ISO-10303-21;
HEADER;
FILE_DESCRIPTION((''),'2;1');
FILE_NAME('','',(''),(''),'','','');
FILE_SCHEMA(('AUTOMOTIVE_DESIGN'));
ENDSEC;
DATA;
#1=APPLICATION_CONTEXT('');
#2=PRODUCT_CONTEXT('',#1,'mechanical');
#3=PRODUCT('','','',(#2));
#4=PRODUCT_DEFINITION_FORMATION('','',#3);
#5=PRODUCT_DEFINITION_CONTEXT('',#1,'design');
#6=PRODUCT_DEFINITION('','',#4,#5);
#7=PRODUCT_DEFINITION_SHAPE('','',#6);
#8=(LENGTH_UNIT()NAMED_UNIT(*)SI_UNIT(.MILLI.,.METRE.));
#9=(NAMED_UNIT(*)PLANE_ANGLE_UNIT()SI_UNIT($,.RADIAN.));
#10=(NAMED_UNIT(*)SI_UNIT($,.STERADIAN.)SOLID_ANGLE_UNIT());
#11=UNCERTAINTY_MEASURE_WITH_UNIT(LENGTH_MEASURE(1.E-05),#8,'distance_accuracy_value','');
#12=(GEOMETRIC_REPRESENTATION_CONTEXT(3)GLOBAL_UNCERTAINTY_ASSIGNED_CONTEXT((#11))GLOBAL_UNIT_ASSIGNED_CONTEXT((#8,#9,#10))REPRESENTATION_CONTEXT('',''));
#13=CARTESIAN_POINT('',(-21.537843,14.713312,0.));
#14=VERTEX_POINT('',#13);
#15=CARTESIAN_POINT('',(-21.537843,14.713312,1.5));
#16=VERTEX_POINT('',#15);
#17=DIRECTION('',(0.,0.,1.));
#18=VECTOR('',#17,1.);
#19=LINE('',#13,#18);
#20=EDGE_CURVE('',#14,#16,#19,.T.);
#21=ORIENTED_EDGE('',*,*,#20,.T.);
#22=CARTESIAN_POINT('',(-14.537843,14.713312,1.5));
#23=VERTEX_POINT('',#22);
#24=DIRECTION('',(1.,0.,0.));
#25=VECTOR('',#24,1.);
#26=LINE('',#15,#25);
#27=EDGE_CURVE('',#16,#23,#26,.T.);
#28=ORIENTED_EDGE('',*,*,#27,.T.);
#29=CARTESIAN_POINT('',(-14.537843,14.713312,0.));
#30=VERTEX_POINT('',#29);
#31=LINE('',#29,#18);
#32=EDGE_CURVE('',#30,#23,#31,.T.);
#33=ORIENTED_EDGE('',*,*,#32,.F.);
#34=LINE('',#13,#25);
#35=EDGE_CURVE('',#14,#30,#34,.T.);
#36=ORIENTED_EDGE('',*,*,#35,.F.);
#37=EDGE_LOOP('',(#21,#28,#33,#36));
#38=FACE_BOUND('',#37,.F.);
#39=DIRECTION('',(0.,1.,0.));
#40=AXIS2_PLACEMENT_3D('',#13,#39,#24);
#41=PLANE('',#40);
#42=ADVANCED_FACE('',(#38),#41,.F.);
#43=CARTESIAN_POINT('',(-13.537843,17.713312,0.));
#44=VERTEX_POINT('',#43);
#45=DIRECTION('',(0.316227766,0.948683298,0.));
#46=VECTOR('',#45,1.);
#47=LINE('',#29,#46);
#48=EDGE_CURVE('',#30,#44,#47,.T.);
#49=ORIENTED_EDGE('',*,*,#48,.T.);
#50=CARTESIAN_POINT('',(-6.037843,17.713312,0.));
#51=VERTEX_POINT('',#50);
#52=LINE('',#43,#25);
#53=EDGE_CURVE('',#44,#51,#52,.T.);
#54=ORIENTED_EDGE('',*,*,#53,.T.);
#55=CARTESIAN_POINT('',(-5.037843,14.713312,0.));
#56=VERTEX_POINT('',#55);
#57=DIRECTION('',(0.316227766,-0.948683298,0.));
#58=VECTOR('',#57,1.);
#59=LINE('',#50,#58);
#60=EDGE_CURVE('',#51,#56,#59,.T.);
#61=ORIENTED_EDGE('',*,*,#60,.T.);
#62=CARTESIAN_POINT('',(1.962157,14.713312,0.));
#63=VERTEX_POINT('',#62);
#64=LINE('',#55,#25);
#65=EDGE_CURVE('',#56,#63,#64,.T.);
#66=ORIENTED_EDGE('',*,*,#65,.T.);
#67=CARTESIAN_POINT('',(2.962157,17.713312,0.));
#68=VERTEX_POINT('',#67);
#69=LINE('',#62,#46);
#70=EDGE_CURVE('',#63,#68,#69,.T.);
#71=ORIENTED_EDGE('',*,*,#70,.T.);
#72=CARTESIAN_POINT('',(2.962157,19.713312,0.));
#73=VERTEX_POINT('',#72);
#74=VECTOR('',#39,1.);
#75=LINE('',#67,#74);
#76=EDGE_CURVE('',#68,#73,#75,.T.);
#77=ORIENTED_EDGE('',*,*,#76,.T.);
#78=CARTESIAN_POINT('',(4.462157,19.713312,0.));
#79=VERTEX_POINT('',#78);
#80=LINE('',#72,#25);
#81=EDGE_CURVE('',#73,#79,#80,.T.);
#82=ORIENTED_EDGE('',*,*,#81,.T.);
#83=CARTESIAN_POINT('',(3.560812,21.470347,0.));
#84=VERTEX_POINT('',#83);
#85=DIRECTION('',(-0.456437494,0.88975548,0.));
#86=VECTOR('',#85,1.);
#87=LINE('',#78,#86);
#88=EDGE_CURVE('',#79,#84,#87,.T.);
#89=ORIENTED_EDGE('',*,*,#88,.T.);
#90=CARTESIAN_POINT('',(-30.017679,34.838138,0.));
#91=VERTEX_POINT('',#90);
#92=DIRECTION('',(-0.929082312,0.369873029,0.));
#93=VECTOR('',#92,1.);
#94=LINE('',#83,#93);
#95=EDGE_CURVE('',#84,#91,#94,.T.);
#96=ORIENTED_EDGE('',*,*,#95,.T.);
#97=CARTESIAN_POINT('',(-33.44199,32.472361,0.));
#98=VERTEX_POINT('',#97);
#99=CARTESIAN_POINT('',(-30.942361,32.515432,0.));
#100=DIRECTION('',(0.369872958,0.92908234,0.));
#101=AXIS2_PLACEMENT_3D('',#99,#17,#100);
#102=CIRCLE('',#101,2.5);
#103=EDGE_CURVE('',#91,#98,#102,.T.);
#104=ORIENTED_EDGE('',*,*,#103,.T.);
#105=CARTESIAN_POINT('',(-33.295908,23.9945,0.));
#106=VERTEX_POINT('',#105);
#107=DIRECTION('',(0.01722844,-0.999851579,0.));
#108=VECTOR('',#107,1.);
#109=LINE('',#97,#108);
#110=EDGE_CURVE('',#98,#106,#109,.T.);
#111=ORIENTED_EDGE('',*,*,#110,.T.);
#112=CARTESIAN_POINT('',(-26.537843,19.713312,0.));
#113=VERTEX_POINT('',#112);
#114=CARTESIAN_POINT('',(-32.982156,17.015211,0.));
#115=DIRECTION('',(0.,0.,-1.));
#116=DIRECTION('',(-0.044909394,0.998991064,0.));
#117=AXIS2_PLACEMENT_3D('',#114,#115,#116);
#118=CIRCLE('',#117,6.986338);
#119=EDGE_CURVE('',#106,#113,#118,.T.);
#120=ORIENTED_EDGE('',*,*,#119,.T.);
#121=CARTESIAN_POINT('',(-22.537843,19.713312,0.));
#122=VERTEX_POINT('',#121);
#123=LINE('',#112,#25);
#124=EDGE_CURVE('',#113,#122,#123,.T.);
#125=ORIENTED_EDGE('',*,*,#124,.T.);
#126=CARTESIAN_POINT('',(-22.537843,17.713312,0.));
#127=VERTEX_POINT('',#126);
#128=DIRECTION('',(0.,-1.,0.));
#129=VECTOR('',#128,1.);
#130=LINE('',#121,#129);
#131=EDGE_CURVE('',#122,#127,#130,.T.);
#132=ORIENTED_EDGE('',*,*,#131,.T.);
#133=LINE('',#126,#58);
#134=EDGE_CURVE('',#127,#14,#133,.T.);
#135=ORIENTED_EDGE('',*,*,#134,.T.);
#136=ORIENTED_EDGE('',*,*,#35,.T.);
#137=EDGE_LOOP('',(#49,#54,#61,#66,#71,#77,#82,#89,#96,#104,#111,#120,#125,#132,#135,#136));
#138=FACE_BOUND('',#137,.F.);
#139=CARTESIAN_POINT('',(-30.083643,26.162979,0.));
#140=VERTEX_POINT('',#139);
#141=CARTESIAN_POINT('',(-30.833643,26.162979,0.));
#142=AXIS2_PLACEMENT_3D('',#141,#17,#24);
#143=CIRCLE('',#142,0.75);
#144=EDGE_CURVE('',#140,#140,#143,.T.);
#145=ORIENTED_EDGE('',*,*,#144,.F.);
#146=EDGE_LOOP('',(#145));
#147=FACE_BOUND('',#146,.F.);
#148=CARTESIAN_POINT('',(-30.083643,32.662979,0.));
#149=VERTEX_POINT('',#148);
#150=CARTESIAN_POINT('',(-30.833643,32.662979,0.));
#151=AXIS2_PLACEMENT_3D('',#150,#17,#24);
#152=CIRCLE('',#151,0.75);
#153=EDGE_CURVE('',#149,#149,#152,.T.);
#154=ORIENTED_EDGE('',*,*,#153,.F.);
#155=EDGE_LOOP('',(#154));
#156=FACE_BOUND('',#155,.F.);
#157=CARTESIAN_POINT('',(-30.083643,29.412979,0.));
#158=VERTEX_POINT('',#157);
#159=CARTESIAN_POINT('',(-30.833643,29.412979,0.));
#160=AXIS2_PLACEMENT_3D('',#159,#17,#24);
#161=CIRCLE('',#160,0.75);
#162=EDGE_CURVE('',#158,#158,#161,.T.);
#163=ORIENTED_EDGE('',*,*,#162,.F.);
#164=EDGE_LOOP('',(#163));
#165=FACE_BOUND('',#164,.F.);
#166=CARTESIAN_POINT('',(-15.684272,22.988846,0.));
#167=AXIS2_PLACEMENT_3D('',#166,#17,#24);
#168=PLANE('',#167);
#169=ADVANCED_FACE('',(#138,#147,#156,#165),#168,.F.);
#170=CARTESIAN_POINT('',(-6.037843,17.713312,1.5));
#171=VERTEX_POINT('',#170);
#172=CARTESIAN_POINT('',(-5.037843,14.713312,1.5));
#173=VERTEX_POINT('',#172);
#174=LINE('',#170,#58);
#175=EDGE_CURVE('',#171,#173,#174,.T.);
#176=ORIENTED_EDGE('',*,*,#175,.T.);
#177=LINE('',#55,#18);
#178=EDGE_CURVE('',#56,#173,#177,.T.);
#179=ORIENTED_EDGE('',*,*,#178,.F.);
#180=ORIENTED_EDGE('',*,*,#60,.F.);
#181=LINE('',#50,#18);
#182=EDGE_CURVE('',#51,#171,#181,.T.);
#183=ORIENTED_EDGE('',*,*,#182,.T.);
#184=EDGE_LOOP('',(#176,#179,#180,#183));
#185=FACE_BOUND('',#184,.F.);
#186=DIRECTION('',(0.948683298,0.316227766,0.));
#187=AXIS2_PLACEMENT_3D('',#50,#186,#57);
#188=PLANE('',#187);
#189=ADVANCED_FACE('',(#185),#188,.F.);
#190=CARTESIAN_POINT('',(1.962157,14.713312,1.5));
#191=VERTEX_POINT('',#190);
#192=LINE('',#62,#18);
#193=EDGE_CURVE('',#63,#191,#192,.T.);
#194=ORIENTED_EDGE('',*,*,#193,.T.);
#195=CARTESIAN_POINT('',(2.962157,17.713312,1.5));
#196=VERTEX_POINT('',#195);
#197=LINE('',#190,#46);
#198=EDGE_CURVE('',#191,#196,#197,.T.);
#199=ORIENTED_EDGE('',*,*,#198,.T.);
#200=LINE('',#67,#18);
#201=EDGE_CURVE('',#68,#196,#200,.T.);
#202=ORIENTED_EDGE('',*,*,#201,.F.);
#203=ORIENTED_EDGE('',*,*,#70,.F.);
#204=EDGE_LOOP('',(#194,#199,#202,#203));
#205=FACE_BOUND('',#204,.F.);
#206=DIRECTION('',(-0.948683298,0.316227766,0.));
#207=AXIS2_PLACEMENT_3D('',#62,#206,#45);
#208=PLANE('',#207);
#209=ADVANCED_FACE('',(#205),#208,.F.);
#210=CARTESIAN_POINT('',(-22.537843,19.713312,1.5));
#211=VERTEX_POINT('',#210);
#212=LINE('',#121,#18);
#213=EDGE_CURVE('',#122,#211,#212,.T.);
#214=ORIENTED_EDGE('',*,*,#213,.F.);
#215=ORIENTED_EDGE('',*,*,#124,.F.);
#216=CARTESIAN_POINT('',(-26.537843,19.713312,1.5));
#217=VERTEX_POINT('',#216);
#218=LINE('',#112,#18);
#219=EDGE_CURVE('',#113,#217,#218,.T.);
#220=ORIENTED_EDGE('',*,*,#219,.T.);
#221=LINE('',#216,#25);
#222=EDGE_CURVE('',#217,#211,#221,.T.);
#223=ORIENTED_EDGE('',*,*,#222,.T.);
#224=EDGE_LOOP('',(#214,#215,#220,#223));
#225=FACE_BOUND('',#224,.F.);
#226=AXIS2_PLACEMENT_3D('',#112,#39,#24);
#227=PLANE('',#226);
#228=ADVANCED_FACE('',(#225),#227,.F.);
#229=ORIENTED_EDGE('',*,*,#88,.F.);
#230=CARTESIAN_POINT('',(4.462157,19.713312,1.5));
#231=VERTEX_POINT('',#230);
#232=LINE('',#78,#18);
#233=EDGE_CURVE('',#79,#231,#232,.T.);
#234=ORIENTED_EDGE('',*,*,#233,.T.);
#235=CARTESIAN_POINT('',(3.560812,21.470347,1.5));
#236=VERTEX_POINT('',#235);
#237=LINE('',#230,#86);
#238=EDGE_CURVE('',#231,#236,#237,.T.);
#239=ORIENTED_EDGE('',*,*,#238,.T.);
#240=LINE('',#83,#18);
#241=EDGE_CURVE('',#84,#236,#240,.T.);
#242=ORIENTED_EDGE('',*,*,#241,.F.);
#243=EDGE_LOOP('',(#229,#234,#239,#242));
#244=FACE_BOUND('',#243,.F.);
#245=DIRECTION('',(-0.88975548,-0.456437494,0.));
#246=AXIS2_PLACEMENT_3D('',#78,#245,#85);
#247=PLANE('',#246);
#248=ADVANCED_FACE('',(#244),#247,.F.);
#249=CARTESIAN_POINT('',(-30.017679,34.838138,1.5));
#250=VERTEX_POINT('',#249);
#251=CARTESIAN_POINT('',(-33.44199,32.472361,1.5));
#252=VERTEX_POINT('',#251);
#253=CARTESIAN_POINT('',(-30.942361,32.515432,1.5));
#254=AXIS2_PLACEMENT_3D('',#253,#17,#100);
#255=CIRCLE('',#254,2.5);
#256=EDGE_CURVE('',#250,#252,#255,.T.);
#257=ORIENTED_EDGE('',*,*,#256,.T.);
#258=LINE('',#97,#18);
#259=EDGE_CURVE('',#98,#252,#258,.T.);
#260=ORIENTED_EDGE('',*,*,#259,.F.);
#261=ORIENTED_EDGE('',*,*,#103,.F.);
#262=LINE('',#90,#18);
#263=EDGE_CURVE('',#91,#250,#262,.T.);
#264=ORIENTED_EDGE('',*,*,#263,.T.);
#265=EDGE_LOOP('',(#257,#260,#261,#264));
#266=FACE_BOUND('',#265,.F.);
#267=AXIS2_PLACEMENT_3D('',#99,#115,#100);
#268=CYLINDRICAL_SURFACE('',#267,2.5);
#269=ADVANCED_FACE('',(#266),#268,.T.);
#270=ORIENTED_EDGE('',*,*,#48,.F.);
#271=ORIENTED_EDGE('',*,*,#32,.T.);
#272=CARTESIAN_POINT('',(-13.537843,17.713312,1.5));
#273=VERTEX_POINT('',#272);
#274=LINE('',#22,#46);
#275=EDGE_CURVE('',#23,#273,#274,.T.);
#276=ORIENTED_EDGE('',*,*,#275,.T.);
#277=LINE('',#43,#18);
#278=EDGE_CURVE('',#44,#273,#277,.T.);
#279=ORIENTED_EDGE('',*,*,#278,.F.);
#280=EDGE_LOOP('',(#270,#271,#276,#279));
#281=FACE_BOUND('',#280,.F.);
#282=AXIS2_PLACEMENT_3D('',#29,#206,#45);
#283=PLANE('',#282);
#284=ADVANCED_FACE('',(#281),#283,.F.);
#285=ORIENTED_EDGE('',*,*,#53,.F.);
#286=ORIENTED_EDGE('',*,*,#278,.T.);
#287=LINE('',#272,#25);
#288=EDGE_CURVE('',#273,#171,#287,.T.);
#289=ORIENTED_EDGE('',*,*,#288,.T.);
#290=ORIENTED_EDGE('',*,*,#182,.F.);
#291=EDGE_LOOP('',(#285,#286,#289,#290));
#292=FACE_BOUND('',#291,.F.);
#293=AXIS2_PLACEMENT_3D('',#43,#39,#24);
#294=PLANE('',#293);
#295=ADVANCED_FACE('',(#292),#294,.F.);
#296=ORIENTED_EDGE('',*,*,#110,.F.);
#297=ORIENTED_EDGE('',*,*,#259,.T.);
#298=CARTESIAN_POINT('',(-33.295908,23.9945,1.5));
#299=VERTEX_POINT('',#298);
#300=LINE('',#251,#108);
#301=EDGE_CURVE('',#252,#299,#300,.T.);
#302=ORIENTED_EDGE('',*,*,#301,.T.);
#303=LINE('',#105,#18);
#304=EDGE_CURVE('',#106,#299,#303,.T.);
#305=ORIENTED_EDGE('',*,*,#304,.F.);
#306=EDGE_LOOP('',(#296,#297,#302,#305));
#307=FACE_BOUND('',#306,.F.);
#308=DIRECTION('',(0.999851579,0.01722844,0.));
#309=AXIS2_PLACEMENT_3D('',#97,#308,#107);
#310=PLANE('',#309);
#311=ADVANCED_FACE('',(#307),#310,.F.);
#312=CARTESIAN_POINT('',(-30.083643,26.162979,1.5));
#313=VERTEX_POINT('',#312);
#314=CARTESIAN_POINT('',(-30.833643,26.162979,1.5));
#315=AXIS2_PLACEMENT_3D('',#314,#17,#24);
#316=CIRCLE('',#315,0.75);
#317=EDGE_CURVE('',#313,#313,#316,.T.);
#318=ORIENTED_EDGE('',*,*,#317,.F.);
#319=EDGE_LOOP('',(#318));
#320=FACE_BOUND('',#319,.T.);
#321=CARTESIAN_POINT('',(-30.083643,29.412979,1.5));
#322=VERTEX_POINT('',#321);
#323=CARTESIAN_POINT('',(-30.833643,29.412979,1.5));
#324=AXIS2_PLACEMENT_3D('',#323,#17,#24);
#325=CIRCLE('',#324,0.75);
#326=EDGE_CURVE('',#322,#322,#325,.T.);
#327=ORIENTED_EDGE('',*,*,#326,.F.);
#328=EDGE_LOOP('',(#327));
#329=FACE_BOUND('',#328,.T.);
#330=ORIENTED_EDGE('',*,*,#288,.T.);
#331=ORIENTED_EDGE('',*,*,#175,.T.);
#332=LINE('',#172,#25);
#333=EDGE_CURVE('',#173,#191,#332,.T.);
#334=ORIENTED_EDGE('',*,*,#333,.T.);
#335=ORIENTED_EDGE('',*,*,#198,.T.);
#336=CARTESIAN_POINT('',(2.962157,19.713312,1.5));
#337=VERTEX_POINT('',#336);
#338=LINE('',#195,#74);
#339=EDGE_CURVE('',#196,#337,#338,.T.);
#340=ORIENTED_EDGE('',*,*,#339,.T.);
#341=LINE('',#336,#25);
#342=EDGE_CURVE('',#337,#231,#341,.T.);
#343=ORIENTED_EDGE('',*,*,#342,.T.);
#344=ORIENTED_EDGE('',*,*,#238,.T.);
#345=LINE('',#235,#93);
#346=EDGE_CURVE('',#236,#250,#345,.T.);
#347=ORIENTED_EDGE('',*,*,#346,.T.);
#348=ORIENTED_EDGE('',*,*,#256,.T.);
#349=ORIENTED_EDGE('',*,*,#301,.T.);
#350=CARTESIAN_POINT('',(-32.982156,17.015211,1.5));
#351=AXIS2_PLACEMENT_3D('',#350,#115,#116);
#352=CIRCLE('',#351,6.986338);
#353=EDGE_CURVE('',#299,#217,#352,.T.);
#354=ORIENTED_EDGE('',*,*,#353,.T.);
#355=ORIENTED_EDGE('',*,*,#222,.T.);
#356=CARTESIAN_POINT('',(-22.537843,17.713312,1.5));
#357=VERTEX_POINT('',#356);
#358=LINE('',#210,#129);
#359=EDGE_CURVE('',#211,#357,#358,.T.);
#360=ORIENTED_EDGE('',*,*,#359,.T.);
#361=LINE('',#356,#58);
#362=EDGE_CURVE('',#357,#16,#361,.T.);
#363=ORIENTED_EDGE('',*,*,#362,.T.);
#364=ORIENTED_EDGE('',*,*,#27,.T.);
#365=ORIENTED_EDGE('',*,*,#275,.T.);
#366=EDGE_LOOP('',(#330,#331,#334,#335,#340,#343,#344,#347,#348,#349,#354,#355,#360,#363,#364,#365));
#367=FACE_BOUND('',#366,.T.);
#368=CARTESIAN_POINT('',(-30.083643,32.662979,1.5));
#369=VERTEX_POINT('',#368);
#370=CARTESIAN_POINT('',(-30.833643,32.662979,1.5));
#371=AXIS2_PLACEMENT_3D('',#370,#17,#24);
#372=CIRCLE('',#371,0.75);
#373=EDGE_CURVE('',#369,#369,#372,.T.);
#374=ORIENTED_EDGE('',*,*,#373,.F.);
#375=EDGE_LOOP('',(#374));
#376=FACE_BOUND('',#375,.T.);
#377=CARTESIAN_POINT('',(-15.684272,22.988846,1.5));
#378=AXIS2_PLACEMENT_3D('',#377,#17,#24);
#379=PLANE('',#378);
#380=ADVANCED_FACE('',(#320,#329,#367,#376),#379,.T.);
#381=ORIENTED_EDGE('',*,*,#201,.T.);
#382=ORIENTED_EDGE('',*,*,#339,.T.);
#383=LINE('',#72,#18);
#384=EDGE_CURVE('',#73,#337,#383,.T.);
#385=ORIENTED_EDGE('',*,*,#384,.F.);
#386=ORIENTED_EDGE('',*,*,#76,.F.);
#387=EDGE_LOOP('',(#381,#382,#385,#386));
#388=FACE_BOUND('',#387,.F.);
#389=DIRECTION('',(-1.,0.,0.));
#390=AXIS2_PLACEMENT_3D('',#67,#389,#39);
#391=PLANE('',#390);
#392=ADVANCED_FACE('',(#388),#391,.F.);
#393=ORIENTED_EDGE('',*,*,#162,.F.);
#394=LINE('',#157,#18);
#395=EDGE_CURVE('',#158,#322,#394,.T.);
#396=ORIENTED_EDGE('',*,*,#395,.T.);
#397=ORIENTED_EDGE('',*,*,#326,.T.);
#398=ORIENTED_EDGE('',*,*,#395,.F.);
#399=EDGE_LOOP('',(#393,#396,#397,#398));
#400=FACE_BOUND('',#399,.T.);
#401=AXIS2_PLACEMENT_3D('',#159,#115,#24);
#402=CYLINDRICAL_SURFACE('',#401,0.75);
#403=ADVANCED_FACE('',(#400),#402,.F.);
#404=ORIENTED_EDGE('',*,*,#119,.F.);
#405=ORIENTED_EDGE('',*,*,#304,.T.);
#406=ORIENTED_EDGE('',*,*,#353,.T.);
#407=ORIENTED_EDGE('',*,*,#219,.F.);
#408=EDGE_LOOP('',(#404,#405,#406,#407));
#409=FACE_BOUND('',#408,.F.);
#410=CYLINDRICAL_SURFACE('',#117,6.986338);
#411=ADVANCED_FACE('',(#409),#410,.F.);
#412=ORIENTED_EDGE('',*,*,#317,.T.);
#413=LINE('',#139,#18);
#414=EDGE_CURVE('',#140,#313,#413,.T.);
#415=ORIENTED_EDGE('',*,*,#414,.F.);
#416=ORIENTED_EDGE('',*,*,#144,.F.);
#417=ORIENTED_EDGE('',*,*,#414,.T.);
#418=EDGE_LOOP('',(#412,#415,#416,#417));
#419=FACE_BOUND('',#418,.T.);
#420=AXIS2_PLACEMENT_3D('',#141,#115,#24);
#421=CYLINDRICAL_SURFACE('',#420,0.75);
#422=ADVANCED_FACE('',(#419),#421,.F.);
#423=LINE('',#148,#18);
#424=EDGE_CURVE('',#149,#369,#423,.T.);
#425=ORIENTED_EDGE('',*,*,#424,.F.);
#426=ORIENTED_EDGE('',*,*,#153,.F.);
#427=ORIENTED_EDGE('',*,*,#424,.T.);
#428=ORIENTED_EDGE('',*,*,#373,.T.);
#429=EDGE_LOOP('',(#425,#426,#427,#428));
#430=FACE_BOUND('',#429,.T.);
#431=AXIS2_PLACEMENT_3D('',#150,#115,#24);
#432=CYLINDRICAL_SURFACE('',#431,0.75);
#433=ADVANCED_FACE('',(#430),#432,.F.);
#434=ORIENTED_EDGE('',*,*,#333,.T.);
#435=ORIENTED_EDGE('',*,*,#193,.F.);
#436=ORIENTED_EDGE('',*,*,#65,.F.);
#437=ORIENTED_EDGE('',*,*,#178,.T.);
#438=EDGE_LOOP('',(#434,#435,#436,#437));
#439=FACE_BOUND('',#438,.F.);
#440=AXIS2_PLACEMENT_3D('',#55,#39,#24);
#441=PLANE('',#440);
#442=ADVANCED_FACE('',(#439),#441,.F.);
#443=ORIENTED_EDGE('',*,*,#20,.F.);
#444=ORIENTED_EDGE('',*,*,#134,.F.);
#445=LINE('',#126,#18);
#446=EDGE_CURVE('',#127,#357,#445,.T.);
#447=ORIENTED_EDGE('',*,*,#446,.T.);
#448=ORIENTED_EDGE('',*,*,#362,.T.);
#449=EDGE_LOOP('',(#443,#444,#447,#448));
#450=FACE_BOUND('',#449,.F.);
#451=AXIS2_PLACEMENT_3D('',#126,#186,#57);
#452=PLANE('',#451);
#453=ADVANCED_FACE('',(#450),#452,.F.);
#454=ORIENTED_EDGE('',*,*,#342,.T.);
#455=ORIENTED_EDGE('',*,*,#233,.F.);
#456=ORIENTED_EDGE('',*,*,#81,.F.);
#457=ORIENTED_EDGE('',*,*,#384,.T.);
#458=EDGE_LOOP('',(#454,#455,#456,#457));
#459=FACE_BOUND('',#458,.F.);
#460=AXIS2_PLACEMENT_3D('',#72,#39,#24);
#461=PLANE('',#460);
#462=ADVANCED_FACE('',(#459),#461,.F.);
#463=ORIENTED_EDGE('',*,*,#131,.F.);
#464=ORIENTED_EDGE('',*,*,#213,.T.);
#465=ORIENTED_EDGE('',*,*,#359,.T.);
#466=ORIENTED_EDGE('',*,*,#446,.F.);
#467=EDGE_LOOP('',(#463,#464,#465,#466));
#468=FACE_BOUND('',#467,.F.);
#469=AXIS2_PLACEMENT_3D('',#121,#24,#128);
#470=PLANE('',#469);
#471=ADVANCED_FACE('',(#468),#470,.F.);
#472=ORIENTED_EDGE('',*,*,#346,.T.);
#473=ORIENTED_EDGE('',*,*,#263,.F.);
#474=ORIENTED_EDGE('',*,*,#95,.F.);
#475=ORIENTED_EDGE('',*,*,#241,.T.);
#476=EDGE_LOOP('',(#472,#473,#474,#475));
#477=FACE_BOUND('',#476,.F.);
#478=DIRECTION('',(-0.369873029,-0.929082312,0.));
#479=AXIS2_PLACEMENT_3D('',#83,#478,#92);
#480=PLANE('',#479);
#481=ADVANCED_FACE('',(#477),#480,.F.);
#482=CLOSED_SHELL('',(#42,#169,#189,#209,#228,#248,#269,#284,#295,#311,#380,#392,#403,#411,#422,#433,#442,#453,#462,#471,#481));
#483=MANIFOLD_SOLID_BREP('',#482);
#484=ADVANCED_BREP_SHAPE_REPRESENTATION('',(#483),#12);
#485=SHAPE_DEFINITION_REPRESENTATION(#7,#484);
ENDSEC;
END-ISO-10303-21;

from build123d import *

# Parameters (mm, degrees)
F0_R     = 0.75
F1_DEPTH = 1.5


with BuildPart() as f1:
    # F0 (on Top) → F1 (new body)
    with BuildSketch(Plane.XY):
        with BuildLine():
            Line((4.462157, 19.713312), (3.560812, 21.470347))
            Line((3.560812, 21.470347), (-30.017679, 34.838138))
            ThreePointArc((-30.017679, 34.838138), (-32.363396, 34.572289), (-33.44199, 32.472361))
            Line((-33.44199, 32.472361), (-33.295908, 23.9945))
            ThreePointArc((-33.295908, 23.9945), (-29.243428, 22.916976), (-26.537843, 19.713312))
            Line((-26.537843, 19.713312), (-22.537843, 19.713312))
            Line((-22.537843, 19.713312), (-22.537843, 17.713312))
            Line((-22.537843, 17.713312), (-21.537843, 14.713312))
            Line((-21.537843, 14.713312), (-14.537843, 14.713312))
            Line((-14.537843, 14.713312), (-13.537843, 17.713312))
            Line((-13.537843, 17.713312), (-6.037843, 17.713312))
            Line((-6.037843, 17.713312), (-5.037843, 14.713312))
            Line((-5.037843, 14.713312), (1.962157, 14.713312))
            Line((1.962157, 14.713312), (2.962157, 17.713312))
            Line((2.962157, 17.713312), (2.962157, 19.713312))
            Line((2.962157, 19.713312), (4.462157, 19.713312))
        make_face()
        with Locations((-30.833643, 26.162979)):
            Circle(F0_R, mode=Mode.SUBTRACT)
        with Locations((-30.833643, 29.412979)):
            Circle(F0_R, mode=Mode.SUBTRACT)
        with Locations((-30.833643, 32.662979)):
            Circle(F0_R, mode=Mode.SUBTRACT)
    extrude(amount=F1_DEPTH)


solid = f1.part
